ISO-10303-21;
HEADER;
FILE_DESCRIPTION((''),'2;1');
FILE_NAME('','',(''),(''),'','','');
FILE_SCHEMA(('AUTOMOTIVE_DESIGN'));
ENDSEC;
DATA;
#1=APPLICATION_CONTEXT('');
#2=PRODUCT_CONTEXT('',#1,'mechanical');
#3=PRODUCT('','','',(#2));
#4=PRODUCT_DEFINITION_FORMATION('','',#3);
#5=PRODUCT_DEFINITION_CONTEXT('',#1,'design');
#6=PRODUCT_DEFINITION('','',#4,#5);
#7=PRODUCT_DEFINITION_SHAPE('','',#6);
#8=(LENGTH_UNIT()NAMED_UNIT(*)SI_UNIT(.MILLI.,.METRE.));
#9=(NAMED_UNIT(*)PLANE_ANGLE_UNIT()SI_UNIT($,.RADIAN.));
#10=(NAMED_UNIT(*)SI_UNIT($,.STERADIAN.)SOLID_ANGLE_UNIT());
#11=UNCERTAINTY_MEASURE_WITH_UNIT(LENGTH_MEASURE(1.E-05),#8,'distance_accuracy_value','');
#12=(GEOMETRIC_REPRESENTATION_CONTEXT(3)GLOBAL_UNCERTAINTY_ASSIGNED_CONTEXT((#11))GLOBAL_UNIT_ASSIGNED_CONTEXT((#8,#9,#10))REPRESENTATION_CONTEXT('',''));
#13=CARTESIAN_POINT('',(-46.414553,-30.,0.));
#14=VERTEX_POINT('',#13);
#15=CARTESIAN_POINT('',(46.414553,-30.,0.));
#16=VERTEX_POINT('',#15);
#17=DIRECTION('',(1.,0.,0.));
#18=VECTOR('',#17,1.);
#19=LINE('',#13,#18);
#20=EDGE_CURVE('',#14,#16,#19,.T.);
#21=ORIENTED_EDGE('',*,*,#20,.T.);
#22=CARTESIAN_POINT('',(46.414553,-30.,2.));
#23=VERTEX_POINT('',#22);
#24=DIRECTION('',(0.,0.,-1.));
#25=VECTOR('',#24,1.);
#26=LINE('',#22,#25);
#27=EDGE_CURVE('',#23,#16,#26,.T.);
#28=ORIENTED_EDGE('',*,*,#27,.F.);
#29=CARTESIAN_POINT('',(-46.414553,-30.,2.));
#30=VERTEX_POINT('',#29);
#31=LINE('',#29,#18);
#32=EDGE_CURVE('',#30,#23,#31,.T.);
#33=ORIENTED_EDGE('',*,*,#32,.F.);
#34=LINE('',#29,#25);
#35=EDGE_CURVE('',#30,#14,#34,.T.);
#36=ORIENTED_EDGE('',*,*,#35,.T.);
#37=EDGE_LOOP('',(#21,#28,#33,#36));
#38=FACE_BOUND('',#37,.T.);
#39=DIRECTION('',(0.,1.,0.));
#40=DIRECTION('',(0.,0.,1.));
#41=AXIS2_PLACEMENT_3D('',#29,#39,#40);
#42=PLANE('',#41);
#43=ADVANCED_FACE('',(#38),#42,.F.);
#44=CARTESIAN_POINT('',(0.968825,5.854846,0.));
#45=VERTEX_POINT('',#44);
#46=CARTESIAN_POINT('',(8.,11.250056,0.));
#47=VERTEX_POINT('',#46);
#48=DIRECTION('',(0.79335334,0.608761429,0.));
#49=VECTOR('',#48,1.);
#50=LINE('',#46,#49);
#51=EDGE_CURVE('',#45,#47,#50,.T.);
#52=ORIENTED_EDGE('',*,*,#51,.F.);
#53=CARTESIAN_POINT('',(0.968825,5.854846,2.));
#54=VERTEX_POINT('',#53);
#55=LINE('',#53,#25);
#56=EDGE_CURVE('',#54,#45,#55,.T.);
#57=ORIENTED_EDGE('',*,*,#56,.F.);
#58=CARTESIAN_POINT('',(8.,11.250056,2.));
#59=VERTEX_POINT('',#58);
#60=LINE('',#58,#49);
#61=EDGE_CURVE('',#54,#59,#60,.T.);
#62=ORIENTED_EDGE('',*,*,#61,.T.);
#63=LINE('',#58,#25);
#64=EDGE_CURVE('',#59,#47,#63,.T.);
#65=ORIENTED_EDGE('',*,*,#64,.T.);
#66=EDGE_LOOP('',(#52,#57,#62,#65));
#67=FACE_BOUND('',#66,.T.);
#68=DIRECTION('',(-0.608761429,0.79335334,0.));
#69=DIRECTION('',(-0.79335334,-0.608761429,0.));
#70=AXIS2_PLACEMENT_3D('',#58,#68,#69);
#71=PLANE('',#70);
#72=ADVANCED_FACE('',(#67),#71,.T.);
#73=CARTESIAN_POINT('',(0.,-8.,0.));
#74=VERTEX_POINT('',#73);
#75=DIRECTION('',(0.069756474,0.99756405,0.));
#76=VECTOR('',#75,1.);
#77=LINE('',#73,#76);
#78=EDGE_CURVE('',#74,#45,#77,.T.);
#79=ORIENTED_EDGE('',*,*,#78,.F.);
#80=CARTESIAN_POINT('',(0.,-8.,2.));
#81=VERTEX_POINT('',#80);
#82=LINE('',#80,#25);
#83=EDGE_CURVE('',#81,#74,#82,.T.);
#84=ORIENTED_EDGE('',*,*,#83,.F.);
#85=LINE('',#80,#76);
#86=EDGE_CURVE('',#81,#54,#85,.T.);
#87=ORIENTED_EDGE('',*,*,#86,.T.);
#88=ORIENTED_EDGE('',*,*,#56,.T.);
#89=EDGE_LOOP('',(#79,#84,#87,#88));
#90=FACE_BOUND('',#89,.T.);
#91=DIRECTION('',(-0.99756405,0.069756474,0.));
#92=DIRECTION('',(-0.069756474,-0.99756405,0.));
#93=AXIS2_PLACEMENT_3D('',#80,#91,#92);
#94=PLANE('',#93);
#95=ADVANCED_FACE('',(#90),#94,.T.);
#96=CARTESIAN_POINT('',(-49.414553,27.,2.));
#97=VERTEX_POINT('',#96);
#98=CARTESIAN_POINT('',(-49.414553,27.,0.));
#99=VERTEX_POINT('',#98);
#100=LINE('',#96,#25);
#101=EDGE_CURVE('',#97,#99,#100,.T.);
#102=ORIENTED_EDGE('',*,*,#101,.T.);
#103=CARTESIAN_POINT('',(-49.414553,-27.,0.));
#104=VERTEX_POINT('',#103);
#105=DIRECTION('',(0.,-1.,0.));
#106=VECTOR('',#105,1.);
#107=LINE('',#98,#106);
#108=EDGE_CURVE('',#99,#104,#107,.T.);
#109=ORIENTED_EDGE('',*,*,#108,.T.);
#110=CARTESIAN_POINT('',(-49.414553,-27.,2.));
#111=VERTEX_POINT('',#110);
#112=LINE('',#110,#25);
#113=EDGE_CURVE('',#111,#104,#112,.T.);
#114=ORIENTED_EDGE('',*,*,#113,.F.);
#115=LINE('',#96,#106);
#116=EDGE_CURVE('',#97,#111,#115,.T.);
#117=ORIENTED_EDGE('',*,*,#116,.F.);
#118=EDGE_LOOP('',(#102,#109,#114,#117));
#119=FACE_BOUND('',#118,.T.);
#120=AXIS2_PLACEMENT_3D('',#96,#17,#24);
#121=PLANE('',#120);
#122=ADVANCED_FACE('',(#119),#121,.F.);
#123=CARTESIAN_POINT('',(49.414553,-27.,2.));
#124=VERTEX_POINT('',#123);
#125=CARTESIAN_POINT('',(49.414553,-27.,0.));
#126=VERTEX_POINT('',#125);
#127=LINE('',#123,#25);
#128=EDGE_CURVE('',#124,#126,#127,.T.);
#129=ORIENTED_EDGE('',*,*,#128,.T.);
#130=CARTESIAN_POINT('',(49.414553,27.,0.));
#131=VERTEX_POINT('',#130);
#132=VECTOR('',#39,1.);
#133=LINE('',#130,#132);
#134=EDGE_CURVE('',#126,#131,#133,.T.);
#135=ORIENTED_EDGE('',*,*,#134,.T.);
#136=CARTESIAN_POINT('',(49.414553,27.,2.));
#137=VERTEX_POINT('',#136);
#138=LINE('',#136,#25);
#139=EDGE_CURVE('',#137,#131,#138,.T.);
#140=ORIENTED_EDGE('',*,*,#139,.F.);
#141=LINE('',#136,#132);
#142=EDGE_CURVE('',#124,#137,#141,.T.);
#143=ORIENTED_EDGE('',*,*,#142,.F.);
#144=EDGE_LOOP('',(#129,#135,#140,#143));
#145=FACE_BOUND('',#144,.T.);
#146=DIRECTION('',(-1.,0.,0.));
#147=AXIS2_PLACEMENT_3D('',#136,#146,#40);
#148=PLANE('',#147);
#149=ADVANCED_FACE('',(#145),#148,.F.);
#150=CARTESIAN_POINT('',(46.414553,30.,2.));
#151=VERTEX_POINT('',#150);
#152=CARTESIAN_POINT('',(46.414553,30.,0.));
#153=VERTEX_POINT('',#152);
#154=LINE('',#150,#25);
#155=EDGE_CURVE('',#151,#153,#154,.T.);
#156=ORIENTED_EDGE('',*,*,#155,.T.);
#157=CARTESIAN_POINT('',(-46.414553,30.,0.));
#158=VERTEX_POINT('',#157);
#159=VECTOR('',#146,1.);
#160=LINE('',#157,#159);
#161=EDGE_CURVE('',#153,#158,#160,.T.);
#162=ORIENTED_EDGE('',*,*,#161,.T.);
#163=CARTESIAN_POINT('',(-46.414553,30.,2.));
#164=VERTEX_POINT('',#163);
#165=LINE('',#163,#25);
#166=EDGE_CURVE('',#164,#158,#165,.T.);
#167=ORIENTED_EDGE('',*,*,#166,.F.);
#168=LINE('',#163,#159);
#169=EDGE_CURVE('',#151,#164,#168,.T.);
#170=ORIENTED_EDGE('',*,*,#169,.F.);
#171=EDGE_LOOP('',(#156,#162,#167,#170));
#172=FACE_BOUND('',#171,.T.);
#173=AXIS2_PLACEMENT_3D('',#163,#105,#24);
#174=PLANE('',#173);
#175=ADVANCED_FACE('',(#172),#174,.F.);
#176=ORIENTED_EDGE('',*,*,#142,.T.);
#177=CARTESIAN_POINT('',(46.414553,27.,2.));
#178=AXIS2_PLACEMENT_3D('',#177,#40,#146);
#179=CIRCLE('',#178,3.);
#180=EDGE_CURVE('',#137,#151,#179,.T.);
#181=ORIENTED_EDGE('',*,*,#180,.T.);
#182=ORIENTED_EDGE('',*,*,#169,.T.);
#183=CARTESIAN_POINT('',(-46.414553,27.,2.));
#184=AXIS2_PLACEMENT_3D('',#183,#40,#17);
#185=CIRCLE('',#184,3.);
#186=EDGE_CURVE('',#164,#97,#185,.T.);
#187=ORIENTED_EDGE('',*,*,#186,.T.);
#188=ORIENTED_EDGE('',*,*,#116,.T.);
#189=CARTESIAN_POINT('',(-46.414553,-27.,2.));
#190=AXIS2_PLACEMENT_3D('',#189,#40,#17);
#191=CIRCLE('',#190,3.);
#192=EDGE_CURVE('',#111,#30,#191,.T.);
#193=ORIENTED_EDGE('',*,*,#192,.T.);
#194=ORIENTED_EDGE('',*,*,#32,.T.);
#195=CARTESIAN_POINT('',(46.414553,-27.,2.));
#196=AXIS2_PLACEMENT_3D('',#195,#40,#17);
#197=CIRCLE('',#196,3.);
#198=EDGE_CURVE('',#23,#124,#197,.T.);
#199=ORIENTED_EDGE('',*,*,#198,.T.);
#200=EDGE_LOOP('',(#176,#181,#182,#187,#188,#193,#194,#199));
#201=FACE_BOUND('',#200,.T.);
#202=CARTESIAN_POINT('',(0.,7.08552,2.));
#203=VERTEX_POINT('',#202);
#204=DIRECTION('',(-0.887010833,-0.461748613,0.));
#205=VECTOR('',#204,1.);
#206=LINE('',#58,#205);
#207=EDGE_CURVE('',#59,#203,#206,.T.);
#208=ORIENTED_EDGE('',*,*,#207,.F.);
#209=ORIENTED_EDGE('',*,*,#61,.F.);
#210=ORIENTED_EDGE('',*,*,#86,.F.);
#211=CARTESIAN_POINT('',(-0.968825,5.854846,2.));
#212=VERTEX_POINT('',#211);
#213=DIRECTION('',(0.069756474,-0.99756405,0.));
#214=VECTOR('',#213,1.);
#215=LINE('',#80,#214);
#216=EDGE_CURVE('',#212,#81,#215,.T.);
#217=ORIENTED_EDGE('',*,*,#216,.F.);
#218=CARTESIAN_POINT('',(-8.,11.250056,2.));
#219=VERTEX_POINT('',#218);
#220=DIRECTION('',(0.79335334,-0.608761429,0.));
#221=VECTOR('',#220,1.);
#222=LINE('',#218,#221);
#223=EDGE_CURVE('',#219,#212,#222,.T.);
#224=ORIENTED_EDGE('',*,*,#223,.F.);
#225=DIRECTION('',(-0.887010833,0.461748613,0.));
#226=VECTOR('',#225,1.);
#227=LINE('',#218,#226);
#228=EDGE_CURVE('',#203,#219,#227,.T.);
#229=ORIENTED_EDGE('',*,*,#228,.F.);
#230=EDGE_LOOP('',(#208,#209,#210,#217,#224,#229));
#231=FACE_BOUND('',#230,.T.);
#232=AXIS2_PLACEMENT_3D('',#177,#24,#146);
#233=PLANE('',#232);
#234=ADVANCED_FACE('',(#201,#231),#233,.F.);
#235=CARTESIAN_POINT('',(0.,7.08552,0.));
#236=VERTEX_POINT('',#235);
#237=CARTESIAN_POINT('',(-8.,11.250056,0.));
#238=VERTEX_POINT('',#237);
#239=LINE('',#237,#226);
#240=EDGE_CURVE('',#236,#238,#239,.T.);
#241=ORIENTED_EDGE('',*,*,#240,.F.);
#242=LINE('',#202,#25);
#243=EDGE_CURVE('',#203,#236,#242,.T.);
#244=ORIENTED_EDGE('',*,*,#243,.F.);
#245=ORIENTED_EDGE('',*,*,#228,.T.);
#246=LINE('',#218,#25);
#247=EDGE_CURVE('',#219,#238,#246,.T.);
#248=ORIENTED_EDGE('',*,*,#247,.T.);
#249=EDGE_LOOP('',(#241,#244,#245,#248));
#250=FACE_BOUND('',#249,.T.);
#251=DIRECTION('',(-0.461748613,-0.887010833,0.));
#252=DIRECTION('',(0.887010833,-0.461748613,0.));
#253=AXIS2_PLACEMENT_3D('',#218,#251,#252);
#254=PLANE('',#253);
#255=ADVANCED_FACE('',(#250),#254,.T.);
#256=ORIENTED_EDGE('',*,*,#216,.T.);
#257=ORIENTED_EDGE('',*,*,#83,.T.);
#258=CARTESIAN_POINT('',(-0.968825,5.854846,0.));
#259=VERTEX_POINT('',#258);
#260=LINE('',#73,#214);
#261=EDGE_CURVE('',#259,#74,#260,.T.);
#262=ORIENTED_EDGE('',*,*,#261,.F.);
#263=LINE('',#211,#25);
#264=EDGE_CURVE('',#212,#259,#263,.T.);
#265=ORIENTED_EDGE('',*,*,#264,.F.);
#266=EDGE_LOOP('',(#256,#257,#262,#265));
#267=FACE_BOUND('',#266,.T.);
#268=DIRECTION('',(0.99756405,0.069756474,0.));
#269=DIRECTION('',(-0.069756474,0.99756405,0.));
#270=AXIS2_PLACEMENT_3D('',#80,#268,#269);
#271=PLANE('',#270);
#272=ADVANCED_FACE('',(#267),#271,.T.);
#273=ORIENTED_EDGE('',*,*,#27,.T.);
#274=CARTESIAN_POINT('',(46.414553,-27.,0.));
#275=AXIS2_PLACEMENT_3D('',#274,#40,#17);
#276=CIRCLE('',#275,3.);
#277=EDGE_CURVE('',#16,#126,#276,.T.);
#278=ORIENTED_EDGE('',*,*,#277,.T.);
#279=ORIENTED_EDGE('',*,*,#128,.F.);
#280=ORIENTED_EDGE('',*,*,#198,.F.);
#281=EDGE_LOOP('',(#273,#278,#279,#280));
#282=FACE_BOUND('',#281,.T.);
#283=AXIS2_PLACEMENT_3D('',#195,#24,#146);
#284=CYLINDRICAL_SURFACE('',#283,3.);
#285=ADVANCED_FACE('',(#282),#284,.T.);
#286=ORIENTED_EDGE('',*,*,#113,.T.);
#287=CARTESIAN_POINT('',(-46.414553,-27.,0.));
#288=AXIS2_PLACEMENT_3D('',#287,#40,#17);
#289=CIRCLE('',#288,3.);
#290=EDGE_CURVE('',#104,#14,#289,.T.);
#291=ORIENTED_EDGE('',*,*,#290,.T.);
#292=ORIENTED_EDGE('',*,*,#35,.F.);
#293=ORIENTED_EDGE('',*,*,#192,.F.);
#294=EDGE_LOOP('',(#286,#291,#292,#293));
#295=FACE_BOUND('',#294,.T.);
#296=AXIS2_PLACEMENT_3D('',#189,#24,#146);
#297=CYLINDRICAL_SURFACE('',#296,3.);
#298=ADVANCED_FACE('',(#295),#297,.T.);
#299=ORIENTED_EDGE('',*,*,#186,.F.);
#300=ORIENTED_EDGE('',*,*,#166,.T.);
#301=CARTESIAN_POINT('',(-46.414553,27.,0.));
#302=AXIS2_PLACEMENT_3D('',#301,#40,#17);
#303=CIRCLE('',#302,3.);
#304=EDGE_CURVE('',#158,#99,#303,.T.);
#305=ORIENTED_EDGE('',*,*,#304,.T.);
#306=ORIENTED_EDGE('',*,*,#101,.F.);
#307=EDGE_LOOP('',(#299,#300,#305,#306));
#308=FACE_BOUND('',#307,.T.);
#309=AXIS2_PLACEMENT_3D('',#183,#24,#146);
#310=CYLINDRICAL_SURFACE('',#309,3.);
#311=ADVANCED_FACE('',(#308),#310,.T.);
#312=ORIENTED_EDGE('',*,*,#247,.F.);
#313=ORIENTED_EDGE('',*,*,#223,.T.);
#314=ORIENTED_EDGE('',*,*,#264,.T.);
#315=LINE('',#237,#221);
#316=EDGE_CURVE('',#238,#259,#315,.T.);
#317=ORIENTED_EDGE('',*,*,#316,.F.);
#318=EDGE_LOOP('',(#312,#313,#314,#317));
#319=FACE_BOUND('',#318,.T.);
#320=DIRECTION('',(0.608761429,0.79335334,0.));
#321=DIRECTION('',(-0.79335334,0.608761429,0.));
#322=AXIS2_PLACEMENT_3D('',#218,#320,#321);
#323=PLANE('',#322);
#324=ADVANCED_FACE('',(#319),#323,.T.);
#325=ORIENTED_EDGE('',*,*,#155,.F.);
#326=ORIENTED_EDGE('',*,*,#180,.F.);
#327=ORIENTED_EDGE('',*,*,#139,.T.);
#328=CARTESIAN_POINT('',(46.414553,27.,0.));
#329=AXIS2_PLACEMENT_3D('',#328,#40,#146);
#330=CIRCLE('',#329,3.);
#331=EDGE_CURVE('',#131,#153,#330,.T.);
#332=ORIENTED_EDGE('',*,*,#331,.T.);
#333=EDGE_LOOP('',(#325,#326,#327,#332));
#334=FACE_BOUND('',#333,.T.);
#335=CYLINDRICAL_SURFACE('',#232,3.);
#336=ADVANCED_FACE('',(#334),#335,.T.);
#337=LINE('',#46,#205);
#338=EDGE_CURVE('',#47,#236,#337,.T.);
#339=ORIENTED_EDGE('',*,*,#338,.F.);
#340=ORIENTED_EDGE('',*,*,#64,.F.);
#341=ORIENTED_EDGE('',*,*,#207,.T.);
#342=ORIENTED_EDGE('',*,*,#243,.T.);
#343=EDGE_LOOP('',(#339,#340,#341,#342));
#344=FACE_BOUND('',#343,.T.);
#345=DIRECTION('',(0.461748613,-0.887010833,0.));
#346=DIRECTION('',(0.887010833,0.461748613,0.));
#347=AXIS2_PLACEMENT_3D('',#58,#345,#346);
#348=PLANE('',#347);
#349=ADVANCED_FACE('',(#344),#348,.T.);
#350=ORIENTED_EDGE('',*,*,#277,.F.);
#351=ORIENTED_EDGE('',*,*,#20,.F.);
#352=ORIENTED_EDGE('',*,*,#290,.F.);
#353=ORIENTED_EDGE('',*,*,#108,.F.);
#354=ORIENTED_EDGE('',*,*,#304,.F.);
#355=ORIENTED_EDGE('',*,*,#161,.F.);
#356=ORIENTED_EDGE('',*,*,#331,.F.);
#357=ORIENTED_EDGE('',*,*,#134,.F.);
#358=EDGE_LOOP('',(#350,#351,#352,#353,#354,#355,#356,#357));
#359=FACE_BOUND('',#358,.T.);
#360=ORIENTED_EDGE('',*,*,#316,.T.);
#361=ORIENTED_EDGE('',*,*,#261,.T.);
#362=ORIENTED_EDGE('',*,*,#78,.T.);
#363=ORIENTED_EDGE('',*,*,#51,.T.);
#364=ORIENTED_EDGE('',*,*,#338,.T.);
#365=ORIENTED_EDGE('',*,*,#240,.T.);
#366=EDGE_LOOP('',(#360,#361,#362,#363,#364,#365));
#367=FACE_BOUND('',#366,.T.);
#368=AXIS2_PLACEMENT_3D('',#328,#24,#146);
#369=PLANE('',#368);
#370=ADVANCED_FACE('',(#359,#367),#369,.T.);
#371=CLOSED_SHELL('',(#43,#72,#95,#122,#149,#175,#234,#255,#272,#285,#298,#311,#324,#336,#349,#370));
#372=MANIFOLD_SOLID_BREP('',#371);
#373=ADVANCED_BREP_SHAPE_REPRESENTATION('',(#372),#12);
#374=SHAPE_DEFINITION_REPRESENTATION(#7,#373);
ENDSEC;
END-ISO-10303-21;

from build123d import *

# Parameters (mm, degrees)
EXTRUDE_1_DEPTH = 2


with BuildPart() as part:
    # 草图1 → 凸台-拉伸1 (new body)
    with BuildSketch(Plane.XY):
        with BuildLine():
            Line((-46.414552668, 30), (46.414552668, 30))
            ThreePointArc((46.414552668, 30), (48.535873012, 29.121320344), (49.414552668, 27))
            Line((49.414552668, 27), (49.414552668, -27))
            ThreePointArc((49.414552668, -27), (48.535873012, -29.121320344), (46.414552668, -30))
            Line((46.414552668, -30), (-46.414552668, -30))
            ThreePointArc((-46.414552668, -30), (-48.535873012, -29.121320344), (-49.414552668, -27))
            Line((-49.414552668, -27), (-49.414552668, 27))
            ThreePointArc((-49.414552668, 27), (-48.535873012, 29.121320344), (-46.414552668, 30))
        make_face()
        Polygon((0, -8), (-0.96882521, 5.854845987), (-8, 11.250056161), (0, 7.085519757), (8, 11.250056161), (0.96882521, 5.854845987), align=None, mode=Mode.SUBTRACT)
    extrude(amount=EXTRUDE_1_DEPTH)


solid = part.part
